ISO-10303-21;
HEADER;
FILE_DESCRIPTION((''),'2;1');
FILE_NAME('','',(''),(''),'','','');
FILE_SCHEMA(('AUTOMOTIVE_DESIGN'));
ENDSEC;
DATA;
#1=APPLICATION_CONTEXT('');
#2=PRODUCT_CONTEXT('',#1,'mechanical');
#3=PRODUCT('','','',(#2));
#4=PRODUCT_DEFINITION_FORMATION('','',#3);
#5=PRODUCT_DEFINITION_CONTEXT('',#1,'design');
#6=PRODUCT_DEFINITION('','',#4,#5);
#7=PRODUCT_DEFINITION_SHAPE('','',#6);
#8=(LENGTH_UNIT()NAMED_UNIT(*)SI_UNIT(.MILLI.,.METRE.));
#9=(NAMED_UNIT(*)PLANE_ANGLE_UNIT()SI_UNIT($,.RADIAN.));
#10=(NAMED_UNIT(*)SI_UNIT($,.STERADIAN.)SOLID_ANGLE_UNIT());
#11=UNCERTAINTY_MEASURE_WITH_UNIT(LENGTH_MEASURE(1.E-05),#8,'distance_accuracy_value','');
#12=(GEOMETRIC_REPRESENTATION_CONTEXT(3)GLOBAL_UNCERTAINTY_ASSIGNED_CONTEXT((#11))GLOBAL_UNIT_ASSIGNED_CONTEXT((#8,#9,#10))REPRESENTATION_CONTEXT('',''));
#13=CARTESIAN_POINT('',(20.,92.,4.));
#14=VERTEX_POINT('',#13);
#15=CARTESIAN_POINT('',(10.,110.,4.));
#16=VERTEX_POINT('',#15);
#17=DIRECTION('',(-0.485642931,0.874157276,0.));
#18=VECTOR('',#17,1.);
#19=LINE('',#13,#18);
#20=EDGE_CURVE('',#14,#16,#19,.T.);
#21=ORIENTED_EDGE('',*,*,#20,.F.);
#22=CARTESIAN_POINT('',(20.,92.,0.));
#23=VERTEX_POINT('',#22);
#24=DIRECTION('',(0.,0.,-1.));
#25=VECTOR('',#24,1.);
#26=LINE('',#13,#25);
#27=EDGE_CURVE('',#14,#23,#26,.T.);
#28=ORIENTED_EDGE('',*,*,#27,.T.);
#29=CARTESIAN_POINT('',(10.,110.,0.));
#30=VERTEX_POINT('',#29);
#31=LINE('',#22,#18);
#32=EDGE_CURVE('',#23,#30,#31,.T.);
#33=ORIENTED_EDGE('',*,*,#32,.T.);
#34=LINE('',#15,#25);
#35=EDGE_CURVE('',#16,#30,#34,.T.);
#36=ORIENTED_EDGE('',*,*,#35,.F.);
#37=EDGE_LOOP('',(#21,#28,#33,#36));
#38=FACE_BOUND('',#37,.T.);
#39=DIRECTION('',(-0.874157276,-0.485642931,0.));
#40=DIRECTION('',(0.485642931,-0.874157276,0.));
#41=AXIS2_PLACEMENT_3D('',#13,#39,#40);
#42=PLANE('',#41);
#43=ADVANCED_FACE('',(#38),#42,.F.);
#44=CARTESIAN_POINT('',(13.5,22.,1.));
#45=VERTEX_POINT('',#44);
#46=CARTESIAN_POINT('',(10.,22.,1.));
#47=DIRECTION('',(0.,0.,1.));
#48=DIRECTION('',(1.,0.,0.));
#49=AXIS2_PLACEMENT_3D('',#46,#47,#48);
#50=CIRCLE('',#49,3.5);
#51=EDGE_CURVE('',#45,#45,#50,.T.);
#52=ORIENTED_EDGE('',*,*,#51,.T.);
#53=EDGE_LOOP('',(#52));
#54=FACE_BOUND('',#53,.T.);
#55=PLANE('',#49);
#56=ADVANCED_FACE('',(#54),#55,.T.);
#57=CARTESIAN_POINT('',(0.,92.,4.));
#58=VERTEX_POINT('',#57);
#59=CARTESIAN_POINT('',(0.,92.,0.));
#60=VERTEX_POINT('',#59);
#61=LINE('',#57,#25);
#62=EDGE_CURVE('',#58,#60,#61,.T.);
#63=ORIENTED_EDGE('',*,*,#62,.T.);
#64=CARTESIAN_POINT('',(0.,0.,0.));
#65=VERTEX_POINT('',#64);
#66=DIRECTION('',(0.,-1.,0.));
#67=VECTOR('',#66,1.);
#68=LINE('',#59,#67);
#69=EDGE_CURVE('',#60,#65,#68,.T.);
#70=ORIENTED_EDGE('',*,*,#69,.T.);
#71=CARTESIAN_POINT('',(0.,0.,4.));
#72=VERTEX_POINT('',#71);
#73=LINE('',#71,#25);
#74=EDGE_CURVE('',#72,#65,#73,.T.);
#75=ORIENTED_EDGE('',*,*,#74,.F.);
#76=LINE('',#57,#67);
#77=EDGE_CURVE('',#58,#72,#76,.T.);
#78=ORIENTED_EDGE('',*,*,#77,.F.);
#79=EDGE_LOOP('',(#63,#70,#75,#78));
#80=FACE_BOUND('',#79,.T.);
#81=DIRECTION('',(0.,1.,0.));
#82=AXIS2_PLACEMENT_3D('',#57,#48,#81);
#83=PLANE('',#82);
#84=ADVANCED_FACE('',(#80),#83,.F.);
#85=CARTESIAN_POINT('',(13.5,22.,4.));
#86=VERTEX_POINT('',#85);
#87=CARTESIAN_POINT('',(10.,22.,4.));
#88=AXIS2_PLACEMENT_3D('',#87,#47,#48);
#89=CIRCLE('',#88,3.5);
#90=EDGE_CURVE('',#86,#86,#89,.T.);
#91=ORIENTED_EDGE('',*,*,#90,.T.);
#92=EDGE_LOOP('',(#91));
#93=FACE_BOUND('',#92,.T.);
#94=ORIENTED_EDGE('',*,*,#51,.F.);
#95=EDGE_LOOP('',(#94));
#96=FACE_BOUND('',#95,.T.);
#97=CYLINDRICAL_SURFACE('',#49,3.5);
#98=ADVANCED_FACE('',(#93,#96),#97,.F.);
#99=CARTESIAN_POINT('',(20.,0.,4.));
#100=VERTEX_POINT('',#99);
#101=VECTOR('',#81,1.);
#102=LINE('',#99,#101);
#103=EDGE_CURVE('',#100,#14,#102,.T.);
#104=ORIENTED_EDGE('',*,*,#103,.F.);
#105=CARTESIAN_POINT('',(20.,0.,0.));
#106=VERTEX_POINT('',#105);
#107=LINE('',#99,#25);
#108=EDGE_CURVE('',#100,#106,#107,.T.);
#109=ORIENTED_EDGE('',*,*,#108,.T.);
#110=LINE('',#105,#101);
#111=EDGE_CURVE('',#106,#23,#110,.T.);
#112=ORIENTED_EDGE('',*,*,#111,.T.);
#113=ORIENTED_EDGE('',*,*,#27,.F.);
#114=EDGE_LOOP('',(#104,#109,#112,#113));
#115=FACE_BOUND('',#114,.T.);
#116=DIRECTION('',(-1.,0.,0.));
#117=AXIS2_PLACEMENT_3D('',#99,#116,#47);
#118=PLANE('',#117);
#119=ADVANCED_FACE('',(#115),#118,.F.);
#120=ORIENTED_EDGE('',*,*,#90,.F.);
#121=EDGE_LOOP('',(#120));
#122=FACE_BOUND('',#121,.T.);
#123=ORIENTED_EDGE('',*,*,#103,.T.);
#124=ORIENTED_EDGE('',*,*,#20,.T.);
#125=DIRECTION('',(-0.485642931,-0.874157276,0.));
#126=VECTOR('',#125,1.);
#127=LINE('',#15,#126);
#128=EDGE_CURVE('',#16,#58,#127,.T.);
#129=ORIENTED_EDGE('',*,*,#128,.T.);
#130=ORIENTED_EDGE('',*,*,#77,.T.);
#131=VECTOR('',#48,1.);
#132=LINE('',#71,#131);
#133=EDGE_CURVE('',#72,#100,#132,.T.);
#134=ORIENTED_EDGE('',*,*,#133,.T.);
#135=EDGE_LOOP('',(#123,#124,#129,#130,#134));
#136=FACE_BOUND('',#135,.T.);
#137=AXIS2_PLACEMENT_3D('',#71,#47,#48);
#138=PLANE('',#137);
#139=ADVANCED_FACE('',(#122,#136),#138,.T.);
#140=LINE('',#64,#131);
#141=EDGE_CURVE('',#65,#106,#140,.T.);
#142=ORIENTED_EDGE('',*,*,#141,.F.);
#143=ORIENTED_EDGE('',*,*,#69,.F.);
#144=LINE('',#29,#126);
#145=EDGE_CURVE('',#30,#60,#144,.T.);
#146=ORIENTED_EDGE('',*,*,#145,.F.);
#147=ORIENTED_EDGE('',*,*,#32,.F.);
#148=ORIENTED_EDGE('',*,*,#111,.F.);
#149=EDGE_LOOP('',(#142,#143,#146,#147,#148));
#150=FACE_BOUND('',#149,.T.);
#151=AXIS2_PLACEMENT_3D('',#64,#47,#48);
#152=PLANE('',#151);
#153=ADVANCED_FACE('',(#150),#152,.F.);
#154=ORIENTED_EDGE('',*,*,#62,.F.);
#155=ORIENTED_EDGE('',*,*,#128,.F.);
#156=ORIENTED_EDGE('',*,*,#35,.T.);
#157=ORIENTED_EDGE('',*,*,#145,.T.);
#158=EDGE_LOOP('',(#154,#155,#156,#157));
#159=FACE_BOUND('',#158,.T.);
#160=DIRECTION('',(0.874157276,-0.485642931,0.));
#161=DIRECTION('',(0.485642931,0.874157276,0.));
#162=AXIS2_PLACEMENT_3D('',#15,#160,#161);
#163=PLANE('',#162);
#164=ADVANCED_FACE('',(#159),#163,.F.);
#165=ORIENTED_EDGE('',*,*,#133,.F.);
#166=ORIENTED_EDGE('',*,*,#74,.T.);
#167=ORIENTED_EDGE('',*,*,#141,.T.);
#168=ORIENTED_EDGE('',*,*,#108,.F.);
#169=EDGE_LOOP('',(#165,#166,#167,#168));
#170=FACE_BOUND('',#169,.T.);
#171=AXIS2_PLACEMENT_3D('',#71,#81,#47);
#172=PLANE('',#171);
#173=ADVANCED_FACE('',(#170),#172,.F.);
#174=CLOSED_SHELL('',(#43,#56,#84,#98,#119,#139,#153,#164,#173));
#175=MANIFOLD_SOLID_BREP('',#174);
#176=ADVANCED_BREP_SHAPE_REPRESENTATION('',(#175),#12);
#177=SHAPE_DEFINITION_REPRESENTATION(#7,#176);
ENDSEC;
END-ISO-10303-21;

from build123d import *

# Parameters (mm, degrees)
AUFSATZ_LINEAR_AUSTRAGEN1_DEPTH = 4
SKIZZE3_R                       = 3.5
SCHNITT_LINEAR_AUSTRAGEN1_DEPTH = 3


with BuildPart() as part:
    # Skizze1 → Aufsatz-Linear austragen1 (new body)
    with BuildSketch(Plane.XY):
        Polygon((0, 0), (20, 0), (20, 92), (10, 110), (0, 92), align=None)
    extrude(amount=AUFSATZ_LINEAR_AUSTRAGEN1_DEPTH)

    # Skizze3 → Schnitt-Linear austragen1 (cut)
    with BuildSketch(Plane.XY.offset(4)):
        with Locations((10, 22)):
            Circle(SKIZZE3_R)
    extrude(amount=-SCHNITT_LINEAR_AUSTRAGEN1_DEPTH, mode=Mode.SUBTRACT)


solid = part.part
